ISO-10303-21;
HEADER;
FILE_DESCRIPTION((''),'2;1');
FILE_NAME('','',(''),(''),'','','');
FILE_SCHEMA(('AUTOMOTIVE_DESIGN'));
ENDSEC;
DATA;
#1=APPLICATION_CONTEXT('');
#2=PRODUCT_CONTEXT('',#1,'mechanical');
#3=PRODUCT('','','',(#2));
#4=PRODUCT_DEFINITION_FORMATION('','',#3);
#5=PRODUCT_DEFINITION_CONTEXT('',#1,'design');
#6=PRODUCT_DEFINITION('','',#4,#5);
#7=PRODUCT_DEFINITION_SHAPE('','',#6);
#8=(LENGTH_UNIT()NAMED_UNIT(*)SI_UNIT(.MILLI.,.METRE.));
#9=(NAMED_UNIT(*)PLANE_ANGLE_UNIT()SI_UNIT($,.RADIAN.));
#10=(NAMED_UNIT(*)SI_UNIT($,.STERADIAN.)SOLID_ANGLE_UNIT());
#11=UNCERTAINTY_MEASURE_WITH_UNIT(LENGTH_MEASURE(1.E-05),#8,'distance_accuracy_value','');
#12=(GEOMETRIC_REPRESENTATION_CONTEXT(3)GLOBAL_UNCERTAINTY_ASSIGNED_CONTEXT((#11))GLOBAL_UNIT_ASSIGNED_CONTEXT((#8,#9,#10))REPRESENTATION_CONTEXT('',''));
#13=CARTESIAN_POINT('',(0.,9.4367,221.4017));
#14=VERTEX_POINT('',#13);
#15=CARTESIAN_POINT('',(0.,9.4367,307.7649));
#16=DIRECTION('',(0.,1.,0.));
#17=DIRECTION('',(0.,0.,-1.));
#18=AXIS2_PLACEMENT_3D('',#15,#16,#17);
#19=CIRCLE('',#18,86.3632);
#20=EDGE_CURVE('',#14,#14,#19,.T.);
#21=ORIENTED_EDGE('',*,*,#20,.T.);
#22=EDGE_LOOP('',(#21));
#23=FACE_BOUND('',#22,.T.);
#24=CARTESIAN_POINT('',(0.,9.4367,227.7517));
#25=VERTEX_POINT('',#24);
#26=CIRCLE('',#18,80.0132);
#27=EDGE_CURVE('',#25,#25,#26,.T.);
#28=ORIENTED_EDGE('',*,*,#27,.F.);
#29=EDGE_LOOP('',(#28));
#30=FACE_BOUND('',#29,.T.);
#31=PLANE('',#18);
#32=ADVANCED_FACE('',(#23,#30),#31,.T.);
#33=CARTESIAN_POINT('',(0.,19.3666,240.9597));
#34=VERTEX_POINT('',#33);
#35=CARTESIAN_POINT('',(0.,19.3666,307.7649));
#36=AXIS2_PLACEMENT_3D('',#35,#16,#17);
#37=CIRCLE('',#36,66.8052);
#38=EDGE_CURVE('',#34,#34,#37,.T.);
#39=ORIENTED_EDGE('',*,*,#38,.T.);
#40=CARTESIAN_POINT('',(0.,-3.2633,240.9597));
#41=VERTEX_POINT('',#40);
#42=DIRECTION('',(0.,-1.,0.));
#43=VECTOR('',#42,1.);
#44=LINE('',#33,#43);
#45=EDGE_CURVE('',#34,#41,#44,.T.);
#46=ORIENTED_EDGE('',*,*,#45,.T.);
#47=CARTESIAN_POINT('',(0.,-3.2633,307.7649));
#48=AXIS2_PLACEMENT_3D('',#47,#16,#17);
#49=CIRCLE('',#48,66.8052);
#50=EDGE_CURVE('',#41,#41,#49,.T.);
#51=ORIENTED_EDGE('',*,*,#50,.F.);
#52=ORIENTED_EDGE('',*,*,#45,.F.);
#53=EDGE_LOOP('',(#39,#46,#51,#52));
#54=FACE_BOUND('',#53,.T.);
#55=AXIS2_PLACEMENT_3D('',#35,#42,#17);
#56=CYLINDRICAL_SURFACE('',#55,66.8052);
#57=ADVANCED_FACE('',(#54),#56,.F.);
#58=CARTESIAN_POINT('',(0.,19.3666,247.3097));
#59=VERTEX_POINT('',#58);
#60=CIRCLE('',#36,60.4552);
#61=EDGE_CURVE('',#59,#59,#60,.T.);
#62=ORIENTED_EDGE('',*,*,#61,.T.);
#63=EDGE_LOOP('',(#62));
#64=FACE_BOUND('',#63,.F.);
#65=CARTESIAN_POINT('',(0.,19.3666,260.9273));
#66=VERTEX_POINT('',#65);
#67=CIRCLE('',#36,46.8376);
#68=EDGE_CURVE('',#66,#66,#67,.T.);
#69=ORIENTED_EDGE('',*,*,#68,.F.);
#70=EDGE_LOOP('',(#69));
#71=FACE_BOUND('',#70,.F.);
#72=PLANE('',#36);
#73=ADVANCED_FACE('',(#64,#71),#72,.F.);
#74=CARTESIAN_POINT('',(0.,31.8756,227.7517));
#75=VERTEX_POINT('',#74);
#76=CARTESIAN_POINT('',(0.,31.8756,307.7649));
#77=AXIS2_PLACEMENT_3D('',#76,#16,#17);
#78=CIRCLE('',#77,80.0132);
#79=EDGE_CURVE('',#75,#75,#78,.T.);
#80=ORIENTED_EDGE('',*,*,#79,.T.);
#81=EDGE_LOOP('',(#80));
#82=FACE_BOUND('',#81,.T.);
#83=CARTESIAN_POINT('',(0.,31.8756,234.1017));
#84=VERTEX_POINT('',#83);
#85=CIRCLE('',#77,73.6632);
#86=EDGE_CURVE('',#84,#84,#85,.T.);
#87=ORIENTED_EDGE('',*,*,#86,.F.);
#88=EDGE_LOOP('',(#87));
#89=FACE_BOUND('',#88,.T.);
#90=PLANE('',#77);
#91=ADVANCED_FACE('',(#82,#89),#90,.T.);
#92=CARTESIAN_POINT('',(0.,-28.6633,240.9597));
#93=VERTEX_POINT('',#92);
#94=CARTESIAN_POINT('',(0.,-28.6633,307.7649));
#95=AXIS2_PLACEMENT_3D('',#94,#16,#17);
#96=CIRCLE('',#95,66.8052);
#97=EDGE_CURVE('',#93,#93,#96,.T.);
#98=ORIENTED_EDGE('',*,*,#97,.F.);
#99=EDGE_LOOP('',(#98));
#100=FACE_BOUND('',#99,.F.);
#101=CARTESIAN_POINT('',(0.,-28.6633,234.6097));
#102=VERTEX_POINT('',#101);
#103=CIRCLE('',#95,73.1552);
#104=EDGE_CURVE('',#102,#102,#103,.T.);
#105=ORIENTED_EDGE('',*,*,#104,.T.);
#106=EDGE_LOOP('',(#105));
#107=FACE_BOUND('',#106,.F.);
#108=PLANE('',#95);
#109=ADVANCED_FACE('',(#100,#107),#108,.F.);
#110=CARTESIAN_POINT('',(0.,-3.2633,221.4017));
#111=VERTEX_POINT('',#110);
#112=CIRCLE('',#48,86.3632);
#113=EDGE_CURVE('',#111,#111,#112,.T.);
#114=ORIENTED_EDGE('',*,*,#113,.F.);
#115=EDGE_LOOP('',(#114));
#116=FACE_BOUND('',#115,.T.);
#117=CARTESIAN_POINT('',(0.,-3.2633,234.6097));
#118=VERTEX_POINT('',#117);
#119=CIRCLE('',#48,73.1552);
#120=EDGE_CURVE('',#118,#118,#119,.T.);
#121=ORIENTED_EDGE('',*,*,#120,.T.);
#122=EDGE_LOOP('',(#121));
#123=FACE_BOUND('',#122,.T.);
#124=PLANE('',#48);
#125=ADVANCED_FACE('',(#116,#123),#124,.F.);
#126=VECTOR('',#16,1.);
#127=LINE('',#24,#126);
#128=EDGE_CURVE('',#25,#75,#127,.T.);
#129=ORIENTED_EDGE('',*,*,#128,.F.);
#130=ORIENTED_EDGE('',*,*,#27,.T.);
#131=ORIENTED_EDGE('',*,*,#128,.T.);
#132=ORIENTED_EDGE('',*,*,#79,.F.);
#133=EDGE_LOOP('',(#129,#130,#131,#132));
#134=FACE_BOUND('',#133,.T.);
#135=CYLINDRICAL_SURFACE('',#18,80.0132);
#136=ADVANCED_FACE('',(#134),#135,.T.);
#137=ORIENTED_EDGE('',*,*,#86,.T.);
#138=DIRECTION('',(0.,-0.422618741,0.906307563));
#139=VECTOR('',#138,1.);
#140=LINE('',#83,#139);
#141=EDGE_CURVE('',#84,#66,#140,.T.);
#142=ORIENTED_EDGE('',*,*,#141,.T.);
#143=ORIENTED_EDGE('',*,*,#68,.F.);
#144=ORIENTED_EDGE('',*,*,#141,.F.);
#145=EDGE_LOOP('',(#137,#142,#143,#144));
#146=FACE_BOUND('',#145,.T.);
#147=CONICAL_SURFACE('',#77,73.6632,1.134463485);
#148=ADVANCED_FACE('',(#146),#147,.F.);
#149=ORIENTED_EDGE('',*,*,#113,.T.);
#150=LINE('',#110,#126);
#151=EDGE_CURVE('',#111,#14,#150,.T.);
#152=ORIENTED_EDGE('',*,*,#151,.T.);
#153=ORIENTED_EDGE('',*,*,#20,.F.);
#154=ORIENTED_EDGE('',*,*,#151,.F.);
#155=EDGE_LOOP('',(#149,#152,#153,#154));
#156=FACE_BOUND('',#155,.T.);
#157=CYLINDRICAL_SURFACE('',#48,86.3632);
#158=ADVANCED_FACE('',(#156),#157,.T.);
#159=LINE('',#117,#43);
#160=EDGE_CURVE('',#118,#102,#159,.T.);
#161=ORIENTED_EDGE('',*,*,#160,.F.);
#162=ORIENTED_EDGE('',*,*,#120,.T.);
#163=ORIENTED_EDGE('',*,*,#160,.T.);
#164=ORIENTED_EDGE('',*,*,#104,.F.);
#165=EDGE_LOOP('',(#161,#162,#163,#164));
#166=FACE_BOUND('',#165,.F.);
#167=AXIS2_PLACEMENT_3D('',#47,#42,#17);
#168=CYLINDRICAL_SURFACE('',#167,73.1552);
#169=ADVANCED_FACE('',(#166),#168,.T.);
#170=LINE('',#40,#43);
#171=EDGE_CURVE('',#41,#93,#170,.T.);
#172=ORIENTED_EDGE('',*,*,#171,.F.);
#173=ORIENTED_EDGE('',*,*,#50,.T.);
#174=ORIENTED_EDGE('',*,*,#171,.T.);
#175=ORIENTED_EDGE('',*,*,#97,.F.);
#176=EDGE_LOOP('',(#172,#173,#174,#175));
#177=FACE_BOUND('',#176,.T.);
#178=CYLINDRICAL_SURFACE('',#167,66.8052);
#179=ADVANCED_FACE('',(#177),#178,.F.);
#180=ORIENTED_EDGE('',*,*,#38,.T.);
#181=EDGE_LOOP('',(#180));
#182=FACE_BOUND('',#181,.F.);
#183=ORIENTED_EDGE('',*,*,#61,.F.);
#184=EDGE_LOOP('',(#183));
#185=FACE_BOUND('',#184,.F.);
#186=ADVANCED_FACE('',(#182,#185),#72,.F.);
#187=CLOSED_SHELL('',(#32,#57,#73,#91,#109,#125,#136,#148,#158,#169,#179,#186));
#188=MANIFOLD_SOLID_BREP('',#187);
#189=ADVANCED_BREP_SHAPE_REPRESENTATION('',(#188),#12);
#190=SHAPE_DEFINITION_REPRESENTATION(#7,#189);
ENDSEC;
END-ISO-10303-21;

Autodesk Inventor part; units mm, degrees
sketch "Sketch2" plane through (0, 0, 0) normal (0, 1, 0) x (-1, 0, 0)
  line L0 (0, -114.5678) -> (107.9834, -114.5678)
  line L1 (107.9834, -114.5678) -> (107.9834, 108.3126)
  line L2 (107.9834, 108.3126) -> (0, 108.3126)
  line L3 (0, 108.3126) -> (0, -114.5678)
  point P0 (0, 0)
extrude "Extrusion1" [suppressed]
ref_plane "Work Plane4" through (0, -133.7486, -73.152) normal (-1, 0, 0) x (0, 0, 1)
sketch "Sketch3" plane through (0, -133.7486, -73.152) normal (-1, 0, 0) x (0, 0, 1)
  line L0 (6.35, 143.6785) -> (6.35, 121.0486)
  line L1 (6.35, 121.0486) -> (6.35, 95.6486)
  line L2 (0, 95.6486) -> (6.35, 95.6486)
  line L3 (0, 121.0486) -> (-13.208, 121.0486)
  line L4 (-13.208, 121.0486) -> (-13.208, 133.7486) projected
  line L5 (-13.208, 121.0486) -> (-13.208, 133.7486)
  line L6 (-13.208, 133.7486) -> (-6.858, 133.7486)
  line L7 (-6.858, 133.7486) -> (-6.858, 156.1875)
  line L8 (-0.508, 156.1875) -> (26.3176, 143.6785) projected
  line L9 (-6.858, 156.1875) -> (-0.508, 156.1875)
  line L10 (-0.508, 156.1875) -> (26.3176, 143.6785)
  line L11 (12.7, 143.6785) -> (26.3176, 143.6785)
  line L12 (6.35, 143.6785) -> (12.7, 143.6785)
  line L13 (314.1117, 153.1152) -> (314.1117, 130.4853)
  line L14 (314.1117, 130.4853) -> (314.1117, 105.0853)
  line L15 (307.7617, 105.0853) -> (314.1117, 105.0853)
  line L16 (307.7617, 130.4853) -> (294.5537, 130.4853)
  line L17 (294.5537, 130.4853) -> (294.5537, 143.1853)
  line L18 (294.5537, 143.1853) -> (300.9037, 143.1853)
  line L19 (300.9037, 143.1853) -> (300.9037, 165.6242)
  line L20 (307.2537, 165.6242) -> (334.0793, 153.1152)
  line L21 (300.9037, 165.6242) -> (307.2537, 165.6242)
  line L22 (320.4617, 153.1152) -> (334.0793, 153.1152)
  line L23 (314.1117, 153.1152) -> (320.4617, 153.1152)
  line L24 (334.0793, 153.1152) -> (380.9169, 153.1152) construction
  line L25 (380.9169, 153.1152) -> (380.9169, 203.9215) construction
  line L26 (307.7617, 130.4853) -> (307.7617, 105.0853)
  line L27 (0, 121.0486) -> (0, 95.6486)
  line L28 (0, 0) -> (0, 121.0486) projected
  point P0 (73.152, 133.7486)
  dimension "d32" = 6.35
  dimension "d34" = 6.35
  dimension "d35" = 46.8376
revolve "Revolution3" add sketch "Sketch3" angle 360 about axis through (0, 19.3666, 307.7649) along (0, 1, 0) contours L13 L14 L15 L26 L16 L17 L18 L19 L21 L20 L22 L23
ref_plane "Work Plane3" through (0, -133.7486, -73.152) normal (-1, 0, 0) x (0, 0, 1)
sketch "Sketch6" plane through (0, -133.7486, -73.152) normal (-1, 0, 0) x (0, 0, 1)
  line L0 (0, 121.0486) -> (0, 95.6486)
  line L1 (0, 95.6486) -> (6.35, 95.6486)
  line L2 (0, 121.0486) -> (-13.208, 121.0486)
  line L3 (-13.208, 121.0486) -> (-13.208, 133.7486) projected
  line L4 (-13.208, 121.0486) -> (-13.208, 133.7486)
  line L5 (-13.208, 133.7486) -> (-6.858, 133.7486)
  line L6 (-6.858, 133.7486) -> (-6.858, 156.1875)
  line L7 (-0.508, 156.1875) -> (26.3176, 143.6785) projected
  line L8 (-6.858, 156.1875) -> (-0.508, 156.1875)
  line L9 (-0.508, 156.1875) -> (26.3176, 143.6785)
  line L10 (6.35, 95.6486) -> (6.35, 143.68)
  line L11 (6.35, 143.68) -> (26.3176, 143.6785)
  line L12 (26.3176, 143.6785) -> (92.5608, 143.6785) construction
  line L13 (73.152, 133.7486) -> (73.152, 183.9478) construction
  line L14 (119.9864, 143.6785) -> (26.3176, 143.6785) construction
  line L15 (26.3176, 143.6785) -> (73.152, 143.6785) construction
  dimension "d37" = 25.4
  dimension "d38" = 6.35
  dimension "d39" = 6.35
  dimension "d40" = 48.0314
revolve "Revolution4" cut sketch "Sketch6" angle 360 about axis through (0, 0, 0) along (0, 1, 0)
ref_plane "Work Plane2" through (0, 9.93, 0) normal (0, -1, 0) x (1, 0, 0)
sketch "Sketch7" plane through (0, 9.93, 0) normal (0, -1, 0) x (1, 0, 0)
  point P0 (0, 0)
ref_plane "Work Plane1" through (0, 9.93, 0) normal (0, -1, 0) x (1, 0, 0)
sketch "Sketch8" plane through (0, 9.93, 0) normal (0, -1, 0) x (1, 0, 0)
  point P0 (0, 0)
ref_plane "Work Plane5" through (0, 9.93, 0) normal (0, -1, 0) x (1, 0, 0)
sketch "Sketch9" plane through (0, 9.93, 0) normal (0, -1, 0) x (1, 0, 0)
  circle A0 centre (0, 0) radius 60.7129
extrude "Extrusion2" cut sketch "Sketch9" along normal mid plane 25.4
properties part number "part 2 cap of Phenolic Master Sketch" material "Phenolic Resin"
